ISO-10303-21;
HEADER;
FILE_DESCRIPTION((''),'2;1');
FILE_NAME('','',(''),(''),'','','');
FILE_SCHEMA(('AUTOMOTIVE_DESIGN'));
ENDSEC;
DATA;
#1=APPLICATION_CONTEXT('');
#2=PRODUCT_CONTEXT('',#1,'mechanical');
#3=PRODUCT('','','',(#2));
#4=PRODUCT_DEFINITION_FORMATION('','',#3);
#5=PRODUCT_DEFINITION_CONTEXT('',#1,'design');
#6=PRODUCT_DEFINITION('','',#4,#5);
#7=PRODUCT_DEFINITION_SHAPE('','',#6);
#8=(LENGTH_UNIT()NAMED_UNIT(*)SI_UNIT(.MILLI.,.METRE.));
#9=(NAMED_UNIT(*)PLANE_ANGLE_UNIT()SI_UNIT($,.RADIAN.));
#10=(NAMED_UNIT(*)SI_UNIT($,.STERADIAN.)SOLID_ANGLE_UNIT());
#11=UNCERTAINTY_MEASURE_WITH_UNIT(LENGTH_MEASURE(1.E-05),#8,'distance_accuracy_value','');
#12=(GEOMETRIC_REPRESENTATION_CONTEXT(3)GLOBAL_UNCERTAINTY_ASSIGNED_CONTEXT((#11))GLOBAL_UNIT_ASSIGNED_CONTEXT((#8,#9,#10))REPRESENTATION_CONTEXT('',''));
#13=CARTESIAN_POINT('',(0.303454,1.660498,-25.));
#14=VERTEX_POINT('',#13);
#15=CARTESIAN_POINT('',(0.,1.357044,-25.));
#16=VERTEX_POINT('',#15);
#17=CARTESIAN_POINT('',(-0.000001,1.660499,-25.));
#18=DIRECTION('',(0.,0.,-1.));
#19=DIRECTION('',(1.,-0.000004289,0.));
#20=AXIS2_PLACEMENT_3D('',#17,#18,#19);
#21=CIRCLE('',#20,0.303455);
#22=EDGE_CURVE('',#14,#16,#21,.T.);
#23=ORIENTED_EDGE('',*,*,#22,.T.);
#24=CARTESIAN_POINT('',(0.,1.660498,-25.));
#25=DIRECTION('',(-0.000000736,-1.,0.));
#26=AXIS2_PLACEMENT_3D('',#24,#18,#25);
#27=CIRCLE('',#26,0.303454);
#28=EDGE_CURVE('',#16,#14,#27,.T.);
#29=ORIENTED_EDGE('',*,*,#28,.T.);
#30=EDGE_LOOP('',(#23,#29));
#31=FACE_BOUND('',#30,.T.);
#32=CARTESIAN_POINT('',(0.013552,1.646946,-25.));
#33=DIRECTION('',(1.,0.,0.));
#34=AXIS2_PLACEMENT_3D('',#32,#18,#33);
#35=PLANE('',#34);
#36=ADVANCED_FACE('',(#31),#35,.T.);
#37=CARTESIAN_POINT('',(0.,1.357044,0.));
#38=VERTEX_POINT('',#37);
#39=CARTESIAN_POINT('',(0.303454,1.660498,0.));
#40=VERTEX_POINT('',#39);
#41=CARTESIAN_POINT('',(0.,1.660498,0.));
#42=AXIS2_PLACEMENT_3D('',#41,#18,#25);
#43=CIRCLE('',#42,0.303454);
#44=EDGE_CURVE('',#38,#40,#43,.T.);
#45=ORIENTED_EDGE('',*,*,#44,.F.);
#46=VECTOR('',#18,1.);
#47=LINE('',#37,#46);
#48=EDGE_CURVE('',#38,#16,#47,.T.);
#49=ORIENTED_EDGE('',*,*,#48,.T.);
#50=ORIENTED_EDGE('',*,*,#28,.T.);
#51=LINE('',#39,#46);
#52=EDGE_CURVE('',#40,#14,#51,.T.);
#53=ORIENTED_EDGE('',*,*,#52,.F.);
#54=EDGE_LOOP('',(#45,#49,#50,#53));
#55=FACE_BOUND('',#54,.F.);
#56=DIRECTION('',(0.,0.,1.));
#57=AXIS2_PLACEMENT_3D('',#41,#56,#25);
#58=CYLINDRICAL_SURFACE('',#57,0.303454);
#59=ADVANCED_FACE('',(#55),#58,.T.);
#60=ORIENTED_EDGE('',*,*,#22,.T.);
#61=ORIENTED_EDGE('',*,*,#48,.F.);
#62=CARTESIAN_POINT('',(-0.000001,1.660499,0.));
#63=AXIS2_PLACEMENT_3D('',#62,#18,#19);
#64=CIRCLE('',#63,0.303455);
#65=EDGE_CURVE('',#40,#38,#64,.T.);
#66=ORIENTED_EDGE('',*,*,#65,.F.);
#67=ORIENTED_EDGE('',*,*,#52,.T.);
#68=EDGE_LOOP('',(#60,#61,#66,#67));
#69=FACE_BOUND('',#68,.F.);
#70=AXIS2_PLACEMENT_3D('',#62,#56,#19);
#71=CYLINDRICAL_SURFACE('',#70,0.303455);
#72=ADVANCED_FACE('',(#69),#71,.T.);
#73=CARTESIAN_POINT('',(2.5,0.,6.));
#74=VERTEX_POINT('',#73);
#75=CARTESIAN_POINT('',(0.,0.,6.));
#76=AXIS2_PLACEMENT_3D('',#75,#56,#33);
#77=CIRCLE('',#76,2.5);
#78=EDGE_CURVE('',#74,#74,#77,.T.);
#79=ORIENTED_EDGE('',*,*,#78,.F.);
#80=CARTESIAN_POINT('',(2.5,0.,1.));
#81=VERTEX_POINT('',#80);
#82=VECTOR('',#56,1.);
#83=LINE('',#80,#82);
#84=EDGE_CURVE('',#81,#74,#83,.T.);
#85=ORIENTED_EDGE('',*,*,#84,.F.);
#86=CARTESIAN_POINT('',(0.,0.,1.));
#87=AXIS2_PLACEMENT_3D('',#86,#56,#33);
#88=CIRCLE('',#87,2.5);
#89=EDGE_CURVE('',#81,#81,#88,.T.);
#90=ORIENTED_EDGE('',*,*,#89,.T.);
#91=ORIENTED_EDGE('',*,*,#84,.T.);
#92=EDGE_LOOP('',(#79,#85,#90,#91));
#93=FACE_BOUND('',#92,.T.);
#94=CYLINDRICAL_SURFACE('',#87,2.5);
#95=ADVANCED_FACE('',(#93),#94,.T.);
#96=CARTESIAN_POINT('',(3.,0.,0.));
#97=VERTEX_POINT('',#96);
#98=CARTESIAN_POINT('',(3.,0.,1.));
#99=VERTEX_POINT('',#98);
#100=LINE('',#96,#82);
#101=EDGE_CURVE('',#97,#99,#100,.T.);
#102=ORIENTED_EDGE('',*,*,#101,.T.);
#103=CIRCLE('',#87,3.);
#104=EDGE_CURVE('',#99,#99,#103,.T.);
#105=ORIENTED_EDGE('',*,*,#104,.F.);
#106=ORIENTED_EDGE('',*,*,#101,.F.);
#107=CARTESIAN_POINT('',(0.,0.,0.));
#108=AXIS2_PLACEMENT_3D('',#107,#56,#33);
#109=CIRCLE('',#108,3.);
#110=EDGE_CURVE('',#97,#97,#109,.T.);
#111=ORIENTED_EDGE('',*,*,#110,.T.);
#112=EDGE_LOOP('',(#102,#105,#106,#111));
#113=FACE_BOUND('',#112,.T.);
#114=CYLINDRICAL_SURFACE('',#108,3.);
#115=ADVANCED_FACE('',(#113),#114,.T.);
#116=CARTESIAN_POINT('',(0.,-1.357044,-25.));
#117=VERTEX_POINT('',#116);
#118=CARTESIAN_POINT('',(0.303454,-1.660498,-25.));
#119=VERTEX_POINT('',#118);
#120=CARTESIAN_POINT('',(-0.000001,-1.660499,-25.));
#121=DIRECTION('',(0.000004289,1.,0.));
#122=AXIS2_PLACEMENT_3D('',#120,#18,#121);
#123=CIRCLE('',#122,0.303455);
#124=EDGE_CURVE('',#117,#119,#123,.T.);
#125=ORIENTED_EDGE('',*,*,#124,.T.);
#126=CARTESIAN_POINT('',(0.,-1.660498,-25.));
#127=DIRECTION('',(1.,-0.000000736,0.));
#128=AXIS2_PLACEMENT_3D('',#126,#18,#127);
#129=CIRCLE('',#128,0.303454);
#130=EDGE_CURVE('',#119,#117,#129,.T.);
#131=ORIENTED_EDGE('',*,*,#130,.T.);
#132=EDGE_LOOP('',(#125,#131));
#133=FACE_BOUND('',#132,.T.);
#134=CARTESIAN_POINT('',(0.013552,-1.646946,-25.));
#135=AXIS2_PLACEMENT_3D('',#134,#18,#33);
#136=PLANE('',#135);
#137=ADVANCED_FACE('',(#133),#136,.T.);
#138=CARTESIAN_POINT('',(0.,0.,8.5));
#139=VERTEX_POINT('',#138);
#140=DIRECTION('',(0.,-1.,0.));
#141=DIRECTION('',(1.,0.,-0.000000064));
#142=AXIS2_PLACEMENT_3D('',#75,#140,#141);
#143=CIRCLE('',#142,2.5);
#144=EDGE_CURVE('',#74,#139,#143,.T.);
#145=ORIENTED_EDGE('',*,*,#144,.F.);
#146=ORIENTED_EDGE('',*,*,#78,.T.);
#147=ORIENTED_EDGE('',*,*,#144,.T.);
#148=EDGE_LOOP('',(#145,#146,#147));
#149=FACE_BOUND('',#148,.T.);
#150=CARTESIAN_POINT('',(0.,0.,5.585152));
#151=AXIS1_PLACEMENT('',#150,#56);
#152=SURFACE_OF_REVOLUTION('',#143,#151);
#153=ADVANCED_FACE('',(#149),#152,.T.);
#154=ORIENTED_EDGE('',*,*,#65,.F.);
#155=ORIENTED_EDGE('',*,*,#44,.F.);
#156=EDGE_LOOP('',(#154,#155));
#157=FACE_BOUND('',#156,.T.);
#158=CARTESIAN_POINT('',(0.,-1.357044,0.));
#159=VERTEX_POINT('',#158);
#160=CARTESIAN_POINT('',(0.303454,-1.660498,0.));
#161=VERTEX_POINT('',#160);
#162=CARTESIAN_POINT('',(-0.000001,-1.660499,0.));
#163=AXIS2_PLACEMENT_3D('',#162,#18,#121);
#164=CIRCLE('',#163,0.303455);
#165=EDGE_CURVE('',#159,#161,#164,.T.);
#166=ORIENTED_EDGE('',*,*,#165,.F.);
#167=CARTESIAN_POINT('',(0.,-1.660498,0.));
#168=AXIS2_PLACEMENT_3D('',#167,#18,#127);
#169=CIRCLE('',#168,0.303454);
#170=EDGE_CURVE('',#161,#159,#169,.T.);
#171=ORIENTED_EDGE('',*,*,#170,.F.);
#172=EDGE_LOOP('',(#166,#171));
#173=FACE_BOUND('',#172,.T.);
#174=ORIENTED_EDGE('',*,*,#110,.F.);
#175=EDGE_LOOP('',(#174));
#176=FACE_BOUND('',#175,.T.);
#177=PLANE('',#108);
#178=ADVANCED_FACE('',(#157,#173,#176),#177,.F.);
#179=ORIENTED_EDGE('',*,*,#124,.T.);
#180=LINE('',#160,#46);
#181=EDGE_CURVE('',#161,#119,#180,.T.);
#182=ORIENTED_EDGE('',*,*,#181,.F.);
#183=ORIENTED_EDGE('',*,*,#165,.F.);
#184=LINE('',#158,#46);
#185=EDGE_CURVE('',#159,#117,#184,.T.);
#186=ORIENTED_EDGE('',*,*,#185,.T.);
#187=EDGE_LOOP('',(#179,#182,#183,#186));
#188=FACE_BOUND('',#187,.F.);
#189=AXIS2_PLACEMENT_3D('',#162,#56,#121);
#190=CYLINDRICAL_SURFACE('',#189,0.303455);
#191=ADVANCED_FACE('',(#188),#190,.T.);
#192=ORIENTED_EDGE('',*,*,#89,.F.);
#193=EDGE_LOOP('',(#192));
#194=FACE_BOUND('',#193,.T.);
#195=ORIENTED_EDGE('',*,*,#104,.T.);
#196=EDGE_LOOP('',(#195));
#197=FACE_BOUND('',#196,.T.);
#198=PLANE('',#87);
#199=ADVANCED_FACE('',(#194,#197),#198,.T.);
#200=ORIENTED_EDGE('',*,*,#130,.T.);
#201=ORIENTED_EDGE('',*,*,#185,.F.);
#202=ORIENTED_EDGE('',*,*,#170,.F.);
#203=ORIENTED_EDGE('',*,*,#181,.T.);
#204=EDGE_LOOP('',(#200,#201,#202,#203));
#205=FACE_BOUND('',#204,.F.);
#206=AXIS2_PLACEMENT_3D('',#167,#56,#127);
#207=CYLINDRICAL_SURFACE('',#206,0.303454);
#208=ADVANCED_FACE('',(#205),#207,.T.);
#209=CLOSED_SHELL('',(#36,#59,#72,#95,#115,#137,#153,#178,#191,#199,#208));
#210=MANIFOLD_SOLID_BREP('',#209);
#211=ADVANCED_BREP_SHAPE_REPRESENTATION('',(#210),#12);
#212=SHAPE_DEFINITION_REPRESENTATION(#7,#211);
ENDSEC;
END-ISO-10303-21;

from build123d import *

# Parameters (mm, degrees)
F4_DEPTH = 25


with BuildPart() as f2:
    # F0 (on Front) → F2 (revolve)
    with BuildSketch(Plane.XZ):
        with BuildLine():
            Line((0, 8.5), (0, 0))
            Line((0, 0), (3, 0))
            Line((3, 0), (3, 1))
            Line((3, 1), (2.5, 1))
            Line((2.5, 1), (2.5, 6))
            ThreePointArc((2.5, 6), (1.767767, 7.767767), (0, 8.5))
        make_face()
    revolve(axis=Axis((0, 0, 5.585152), (0, 0, 1)))

    # F3 (on face) → F4 (join)
    with BuildSketch(Plane(origin=(0, 0, 0), x_dir=(1, 0, 0), z_dir=(0, 0, -1))):
        with BuildLine():
            ThreePointArc((0, -1.357044), (-0.214574, -1.875072), (0.303454, -1.660498))
            ThreePointArc((0.303454, -1.660498), (0.214574, -1.445924), (0, -1.357044))
        make_face()
        with BuildLine():
            ThreePointArc((0.303454, 1.660498), (-0.214574, 1.875072), (0, 1.357044))
            ThreePointArc((0, 1.357044), (0.214574, 1.445924), (0.303454, 1.660498))
        make_face()
    extrude(amount=F4_DEPTH)


solid = f2.part
